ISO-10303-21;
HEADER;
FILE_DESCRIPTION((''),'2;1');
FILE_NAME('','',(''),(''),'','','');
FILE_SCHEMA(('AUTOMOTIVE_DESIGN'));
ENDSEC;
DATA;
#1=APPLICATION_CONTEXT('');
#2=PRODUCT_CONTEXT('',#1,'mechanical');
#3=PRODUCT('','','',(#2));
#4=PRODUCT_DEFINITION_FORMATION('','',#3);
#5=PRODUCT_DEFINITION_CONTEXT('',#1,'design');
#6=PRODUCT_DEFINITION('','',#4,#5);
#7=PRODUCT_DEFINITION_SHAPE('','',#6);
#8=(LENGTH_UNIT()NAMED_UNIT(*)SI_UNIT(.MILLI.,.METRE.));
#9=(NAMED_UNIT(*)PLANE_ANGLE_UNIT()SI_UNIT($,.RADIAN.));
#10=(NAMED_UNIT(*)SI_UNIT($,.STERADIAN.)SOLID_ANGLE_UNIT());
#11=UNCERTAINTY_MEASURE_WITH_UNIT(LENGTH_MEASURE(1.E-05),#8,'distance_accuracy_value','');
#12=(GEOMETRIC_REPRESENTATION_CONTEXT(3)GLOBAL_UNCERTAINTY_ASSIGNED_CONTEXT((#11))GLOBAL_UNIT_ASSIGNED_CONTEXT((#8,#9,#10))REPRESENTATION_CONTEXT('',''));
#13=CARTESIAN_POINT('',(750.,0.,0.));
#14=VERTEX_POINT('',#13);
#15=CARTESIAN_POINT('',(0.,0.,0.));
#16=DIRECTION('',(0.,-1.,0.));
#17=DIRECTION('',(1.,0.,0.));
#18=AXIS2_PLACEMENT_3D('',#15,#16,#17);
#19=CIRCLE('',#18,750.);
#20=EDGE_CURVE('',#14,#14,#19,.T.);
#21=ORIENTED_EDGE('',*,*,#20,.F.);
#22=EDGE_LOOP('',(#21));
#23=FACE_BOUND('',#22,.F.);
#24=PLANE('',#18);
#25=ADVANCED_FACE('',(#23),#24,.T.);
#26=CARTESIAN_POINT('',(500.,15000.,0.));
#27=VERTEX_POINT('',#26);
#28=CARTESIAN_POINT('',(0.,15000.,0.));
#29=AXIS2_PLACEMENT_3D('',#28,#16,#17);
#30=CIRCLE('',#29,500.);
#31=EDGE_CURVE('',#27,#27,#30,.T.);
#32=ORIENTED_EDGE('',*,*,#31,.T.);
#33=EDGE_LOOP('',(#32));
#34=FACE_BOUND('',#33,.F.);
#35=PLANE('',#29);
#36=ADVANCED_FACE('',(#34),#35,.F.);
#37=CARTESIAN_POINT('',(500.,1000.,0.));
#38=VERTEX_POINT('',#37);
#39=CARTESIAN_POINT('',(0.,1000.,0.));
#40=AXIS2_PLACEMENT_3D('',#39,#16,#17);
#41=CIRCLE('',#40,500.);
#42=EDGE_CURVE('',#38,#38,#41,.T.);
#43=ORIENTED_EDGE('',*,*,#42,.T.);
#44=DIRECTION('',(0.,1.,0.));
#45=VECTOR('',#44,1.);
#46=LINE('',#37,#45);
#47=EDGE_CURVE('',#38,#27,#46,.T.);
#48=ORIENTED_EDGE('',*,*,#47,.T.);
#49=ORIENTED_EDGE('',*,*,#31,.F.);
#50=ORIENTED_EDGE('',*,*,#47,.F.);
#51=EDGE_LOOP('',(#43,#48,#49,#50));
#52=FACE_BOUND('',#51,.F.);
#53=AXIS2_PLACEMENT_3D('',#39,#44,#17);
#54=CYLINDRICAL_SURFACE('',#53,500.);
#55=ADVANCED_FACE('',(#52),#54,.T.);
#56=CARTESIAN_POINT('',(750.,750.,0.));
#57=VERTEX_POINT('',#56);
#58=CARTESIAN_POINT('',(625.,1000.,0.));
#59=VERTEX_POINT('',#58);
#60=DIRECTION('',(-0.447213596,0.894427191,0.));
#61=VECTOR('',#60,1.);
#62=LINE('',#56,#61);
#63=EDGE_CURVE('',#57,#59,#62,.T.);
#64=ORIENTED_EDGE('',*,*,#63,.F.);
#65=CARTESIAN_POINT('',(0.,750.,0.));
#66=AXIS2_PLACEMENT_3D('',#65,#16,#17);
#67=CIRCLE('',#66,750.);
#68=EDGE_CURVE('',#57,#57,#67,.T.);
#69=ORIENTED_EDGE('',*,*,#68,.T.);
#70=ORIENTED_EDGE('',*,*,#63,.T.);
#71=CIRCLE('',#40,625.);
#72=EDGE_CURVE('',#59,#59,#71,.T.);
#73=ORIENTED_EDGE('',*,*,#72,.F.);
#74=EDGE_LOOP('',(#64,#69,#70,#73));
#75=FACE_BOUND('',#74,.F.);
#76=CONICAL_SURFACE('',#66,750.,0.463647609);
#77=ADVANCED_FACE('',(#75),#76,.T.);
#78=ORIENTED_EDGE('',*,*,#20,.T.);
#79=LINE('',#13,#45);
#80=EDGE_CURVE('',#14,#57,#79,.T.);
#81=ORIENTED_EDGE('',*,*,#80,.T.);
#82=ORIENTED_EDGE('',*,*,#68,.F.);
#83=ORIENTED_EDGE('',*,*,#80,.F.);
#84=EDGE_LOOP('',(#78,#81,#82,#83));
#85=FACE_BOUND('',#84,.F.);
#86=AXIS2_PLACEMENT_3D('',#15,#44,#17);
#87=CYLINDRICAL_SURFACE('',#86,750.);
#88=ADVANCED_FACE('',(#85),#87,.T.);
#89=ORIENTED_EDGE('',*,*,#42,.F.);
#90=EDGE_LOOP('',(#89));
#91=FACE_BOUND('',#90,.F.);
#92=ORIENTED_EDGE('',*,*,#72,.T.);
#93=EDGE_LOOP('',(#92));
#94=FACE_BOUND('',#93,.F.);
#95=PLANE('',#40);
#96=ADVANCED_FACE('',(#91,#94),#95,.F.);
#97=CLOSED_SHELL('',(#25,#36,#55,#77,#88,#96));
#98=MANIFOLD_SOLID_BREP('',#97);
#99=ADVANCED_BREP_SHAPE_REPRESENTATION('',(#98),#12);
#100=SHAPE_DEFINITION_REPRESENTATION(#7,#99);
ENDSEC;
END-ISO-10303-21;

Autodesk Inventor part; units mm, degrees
ref_plane "YZ Plane" through (0, 0, 0) normal (1, 0, 0) x (0, 1, 0)
ref_plane "XZ Plane" through (0, 0, 0) normal (0, 1, 0) x (-1, 0, 0)
ref_plane "XY Plane" through (0, 0, 0) normal (0, 0, 1) x (1, 0, 0)
sketch "Sketch1" plane through (0, 0, 0) normal (0, 0, 1) x (1, 0, 0)
  line L0 (0, 0) -> (750, 0)
  line L1 (750, 0) -> (750, 750)
  line L2 (750, 750) -> (625, 1000)
  line L3 (625, 1000) -> (500, 1000)
  line L4 (500, 1000) -> (500, 15000)
  line L5 (500, 15000) -> (0, 15000)
  line L6 (0, 15000) -> (0, 0)
  dimension "d0" = 750
  dimension "d1" = 750
  dimension "d2" = 15000
  dimension "d3" = 250
  dimension "d4" = 125
  dimension "d5" = 500
revolve "Revolution1" add sketch "Sketch1" angle 360 about axis through (0, 15000, 0) along (0, -1, 0)
properties part number "Tower" material "Wood (Maple)"
